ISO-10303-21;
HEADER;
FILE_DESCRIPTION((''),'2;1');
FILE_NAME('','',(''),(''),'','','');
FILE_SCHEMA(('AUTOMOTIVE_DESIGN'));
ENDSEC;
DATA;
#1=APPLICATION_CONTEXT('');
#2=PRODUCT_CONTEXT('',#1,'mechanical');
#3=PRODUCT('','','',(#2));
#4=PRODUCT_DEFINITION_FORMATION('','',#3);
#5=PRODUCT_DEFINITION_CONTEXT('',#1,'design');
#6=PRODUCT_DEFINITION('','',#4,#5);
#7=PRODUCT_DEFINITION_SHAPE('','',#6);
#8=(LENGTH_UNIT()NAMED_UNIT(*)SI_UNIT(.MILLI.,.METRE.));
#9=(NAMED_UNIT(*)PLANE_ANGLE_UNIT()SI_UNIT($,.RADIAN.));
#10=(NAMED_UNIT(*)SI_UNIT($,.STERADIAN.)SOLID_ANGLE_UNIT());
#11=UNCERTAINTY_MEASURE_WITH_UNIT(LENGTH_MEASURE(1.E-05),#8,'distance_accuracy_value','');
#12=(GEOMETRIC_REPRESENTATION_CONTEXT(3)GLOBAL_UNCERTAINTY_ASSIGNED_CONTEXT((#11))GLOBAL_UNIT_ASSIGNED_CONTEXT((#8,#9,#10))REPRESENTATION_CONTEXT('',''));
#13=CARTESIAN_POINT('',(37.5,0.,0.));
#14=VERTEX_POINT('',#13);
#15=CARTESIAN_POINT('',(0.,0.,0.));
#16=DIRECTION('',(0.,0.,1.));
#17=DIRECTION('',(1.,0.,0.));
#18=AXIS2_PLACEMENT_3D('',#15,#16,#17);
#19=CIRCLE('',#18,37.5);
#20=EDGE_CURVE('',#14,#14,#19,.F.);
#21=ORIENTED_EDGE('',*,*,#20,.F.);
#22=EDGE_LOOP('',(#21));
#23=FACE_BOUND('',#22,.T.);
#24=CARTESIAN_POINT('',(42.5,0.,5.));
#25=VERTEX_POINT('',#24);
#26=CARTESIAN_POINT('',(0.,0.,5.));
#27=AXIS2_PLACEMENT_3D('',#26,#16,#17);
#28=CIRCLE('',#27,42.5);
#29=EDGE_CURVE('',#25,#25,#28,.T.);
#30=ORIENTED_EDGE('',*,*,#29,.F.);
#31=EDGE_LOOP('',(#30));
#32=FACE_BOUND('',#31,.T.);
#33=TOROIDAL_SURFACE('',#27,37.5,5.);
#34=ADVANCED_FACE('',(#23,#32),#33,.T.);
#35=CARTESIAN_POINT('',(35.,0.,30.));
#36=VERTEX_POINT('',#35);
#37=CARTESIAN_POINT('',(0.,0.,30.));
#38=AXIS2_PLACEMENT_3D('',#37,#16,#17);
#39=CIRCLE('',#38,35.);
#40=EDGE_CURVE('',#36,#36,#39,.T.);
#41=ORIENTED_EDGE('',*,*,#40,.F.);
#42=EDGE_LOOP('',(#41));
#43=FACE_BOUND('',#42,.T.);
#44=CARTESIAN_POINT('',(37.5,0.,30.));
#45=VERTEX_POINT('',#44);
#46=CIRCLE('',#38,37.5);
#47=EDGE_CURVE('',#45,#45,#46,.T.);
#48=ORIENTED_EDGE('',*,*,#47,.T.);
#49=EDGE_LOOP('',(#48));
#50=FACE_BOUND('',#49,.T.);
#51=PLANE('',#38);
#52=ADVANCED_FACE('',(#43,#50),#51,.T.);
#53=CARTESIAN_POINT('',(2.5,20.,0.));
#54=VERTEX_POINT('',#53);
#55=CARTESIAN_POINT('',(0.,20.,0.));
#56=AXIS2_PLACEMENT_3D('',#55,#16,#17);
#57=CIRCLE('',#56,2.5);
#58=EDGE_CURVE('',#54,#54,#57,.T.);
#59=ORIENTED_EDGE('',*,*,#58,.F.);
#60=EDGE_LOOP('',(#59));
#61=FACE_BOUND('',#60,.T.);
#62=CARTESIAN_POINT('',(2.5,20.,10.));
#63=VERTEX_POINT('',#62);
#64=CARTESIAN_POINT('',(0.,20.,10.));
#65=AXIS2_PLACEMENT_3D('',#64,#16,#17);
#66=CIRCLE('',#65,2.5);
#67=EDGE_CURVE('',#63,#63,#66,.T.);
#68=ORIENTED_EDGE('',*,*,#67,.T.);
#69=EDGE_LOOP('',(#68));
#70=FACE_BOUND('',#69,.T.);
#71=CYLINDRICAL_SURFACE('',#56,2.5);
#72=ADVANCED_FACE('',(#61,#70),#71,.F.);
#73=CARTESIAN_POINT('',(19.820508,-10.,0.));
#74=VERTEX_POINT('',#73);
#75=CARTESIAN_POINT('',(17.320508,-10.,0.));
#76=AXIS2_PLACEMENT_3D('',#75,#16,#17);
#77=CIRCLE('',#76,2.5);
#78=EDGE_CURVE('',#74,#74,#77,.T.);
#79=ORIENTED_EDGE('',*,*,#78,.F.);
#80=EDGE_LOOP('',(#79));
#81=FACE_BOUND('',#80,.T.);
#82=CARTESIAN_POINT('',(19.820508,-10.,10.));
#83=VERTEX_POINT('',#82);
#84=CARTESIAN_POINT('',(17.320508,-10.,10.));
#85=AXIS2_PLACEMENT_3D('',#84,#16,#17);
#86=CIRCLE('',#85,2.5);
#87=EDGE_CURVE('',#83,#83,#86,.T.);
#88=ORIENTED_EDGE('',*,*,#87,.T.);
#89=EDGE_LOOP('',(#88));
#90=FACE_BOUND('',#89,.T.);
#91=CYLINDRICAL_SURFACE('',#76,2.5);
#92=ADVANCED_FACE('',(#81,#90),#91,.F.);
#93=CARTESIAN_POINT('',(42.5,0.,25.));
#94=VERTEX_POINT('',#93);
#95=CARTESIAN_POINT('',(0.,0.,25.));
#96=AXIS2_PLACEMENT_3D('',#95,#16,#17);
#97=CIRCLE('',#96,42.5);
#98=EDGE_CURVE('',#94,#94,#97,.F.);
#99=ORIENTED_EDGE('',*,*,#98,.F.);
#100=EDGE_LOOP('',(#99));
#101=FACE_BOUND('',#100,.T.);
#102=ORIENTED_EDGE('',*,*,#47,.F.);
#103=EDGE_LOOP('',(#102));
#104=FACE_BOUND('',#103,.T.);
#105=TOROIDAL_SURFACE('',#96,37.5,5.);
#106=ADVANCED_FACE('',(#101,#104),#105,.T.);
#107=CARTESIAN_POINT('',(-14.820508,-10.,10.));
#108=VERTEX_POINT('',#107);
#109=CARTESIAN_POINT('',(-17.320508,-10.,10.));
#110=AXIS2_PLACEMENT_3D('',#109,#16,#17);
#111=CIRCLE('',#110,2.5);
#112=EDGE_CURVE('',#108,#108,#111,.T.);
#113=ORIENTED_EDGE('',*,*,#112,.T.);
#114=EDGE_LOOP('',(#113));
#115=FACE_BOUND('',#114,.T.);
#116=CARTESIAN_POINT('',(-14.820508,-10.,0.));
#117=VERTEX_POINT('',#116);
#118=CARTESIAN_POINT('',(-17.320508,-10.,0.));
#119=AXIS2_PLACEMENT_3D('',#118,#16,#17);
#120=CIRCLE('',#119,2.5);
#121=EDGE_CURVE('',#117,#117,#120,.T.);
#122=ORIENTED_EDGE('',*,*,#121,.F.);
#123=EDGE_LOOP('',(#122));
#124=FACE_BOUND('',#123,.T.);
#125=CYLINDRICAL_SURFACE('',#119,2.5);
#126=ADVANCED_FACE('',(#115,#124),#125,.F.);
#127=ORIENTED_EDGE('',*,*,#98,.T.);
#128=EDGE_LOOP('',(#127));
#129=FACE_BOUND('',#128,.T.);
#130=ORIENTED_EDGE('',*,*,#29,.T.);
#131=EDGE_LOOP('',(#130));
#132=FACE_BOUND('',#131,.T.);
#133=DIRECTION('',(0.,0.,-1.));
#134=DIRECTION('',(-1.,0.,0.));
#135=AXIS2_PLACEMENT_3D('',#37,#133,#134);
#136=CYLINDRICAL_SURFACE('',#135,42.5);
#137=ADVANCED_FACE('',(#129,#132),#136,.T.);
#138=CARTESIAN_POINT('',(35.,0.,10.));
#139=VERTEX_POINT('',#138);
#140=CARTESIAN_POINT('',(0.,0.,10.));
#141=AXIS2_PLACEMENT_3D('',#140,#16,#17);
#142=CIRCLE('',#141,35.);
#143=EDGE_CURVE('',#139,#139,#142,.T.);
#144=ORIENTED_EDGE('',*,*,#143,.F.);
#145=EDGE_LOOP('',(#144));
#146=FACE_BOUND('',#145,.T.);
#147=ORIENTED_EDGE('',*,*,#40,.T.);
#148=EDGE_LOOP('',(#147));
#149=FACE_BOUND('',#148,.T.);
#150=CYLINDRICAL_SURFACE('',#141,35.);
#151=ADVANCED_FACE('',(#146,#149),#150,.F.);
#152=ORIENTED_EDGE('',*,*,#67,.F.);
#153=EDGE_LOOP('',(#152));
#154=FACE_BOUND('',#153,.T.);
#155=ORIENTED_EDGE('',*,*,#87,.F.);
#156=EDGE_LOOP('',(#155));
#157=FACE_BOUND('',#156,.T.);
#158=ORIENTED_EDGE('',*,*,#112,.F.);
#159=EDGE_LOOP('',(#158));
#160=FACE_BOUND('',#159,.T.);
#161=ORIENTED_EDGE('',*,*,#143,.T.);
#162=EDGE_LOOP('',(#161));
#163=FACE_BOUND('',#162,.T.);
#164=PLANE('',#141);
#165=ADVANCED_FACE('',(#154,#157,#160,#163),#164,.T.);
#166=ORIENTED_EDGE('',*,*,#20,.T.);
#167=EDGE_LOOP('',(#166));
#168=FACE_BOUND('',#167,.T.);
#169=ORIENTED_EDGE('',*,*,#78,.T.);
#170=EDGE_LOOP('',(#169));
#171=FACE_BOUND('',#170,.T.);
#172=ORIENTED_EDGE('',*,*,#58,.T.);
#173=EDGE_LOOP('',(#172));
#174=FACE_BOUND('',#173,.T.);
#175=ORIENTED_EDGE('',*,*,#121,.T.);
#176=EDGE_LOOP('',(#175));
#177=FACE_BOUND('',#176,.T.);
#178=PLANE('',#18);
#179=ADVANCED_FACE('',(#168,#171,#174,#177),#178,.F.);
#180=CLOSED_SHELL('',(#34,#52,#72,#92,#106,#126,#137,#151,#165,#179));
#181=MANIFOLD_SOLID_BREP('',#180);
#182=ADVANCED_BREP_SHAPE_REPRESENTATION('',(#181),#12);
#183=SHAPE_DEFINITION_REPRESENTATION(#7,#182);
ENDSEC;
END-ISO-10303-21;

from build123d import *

# Parameters (mm, degrees)
SKETCH2_R           = 42.5
BOSS_EXTRUDE2_DEPTH = 30
SKETCH3_OUTSIDE_W   = 111.78
SKETCH3_OUTSIDE_H   = 111.78
SKETCH3_OUTSIDE_R   = 42.5
SKETCH3_OUTSIDE_R_2 = 35
CUT_EXTRUDE2_DEPTH  = 20
SKETCH8_R           = 2.5
CUT_EXTRUDE3_DEPTH  = 10
FILLET3_R           = 5


with BuildPart() as part:
    # Sketch2 → Boss-Extrude2 (new body)
    with BuildSketch(Plane.XY):
        Circle(SKETCH2_R)
    extrude(amount=BOSS_EXTRUDE2_DEPTH)

    # Sketch3 outside → Cut-Extrude2 (cut)
    # profile 1 of 2: a face of its own
    with BuildSketch(Plane.XY.offset(30)):
        Rectangle(SKETCH3_OUTSIDE_W, SKETCH3_OUTSIDE_H)
        Circle(SKETCH3_OUTSIDE_R, mode=Mode.SUBTRACT)
    # profile 2 of 2: a face of its own
    with BuildSketch(Plane.XY.offset(30)):
        Circle(SKETCH3_OUTSIDE_R_2)
    extrude(amount=-CUT_EXTRUDE2_DEPTH, mode=Mode.SUBTRACT)

    # Sketch8 → Cut-Extrude3 (cut)
    with BuildSketch(Plane.XY.offset(10)):
        with Locations((0, 20)):
            Circle(SKETCH8_R)
        with Locations((17.320508076, -10)):
            Circle(SKETCH8_R)
        with Locations((-17.320508076, -10)):
            Circle(SKETCH8_R)
    extrude(amount=-CUT_EXTRUDE3_DEPTH, mode=Mode.SUBTRACT)

    # Fillet3
    fillet3_edges = [part.edges().sort_by_distance(p)[0] for p in [
        (-42.5, 0, 0),
        (-42.5, 0, 30),
    ]]
    fillet(fillet3_edges, radius=FILLET3_R)


solid = part.part
